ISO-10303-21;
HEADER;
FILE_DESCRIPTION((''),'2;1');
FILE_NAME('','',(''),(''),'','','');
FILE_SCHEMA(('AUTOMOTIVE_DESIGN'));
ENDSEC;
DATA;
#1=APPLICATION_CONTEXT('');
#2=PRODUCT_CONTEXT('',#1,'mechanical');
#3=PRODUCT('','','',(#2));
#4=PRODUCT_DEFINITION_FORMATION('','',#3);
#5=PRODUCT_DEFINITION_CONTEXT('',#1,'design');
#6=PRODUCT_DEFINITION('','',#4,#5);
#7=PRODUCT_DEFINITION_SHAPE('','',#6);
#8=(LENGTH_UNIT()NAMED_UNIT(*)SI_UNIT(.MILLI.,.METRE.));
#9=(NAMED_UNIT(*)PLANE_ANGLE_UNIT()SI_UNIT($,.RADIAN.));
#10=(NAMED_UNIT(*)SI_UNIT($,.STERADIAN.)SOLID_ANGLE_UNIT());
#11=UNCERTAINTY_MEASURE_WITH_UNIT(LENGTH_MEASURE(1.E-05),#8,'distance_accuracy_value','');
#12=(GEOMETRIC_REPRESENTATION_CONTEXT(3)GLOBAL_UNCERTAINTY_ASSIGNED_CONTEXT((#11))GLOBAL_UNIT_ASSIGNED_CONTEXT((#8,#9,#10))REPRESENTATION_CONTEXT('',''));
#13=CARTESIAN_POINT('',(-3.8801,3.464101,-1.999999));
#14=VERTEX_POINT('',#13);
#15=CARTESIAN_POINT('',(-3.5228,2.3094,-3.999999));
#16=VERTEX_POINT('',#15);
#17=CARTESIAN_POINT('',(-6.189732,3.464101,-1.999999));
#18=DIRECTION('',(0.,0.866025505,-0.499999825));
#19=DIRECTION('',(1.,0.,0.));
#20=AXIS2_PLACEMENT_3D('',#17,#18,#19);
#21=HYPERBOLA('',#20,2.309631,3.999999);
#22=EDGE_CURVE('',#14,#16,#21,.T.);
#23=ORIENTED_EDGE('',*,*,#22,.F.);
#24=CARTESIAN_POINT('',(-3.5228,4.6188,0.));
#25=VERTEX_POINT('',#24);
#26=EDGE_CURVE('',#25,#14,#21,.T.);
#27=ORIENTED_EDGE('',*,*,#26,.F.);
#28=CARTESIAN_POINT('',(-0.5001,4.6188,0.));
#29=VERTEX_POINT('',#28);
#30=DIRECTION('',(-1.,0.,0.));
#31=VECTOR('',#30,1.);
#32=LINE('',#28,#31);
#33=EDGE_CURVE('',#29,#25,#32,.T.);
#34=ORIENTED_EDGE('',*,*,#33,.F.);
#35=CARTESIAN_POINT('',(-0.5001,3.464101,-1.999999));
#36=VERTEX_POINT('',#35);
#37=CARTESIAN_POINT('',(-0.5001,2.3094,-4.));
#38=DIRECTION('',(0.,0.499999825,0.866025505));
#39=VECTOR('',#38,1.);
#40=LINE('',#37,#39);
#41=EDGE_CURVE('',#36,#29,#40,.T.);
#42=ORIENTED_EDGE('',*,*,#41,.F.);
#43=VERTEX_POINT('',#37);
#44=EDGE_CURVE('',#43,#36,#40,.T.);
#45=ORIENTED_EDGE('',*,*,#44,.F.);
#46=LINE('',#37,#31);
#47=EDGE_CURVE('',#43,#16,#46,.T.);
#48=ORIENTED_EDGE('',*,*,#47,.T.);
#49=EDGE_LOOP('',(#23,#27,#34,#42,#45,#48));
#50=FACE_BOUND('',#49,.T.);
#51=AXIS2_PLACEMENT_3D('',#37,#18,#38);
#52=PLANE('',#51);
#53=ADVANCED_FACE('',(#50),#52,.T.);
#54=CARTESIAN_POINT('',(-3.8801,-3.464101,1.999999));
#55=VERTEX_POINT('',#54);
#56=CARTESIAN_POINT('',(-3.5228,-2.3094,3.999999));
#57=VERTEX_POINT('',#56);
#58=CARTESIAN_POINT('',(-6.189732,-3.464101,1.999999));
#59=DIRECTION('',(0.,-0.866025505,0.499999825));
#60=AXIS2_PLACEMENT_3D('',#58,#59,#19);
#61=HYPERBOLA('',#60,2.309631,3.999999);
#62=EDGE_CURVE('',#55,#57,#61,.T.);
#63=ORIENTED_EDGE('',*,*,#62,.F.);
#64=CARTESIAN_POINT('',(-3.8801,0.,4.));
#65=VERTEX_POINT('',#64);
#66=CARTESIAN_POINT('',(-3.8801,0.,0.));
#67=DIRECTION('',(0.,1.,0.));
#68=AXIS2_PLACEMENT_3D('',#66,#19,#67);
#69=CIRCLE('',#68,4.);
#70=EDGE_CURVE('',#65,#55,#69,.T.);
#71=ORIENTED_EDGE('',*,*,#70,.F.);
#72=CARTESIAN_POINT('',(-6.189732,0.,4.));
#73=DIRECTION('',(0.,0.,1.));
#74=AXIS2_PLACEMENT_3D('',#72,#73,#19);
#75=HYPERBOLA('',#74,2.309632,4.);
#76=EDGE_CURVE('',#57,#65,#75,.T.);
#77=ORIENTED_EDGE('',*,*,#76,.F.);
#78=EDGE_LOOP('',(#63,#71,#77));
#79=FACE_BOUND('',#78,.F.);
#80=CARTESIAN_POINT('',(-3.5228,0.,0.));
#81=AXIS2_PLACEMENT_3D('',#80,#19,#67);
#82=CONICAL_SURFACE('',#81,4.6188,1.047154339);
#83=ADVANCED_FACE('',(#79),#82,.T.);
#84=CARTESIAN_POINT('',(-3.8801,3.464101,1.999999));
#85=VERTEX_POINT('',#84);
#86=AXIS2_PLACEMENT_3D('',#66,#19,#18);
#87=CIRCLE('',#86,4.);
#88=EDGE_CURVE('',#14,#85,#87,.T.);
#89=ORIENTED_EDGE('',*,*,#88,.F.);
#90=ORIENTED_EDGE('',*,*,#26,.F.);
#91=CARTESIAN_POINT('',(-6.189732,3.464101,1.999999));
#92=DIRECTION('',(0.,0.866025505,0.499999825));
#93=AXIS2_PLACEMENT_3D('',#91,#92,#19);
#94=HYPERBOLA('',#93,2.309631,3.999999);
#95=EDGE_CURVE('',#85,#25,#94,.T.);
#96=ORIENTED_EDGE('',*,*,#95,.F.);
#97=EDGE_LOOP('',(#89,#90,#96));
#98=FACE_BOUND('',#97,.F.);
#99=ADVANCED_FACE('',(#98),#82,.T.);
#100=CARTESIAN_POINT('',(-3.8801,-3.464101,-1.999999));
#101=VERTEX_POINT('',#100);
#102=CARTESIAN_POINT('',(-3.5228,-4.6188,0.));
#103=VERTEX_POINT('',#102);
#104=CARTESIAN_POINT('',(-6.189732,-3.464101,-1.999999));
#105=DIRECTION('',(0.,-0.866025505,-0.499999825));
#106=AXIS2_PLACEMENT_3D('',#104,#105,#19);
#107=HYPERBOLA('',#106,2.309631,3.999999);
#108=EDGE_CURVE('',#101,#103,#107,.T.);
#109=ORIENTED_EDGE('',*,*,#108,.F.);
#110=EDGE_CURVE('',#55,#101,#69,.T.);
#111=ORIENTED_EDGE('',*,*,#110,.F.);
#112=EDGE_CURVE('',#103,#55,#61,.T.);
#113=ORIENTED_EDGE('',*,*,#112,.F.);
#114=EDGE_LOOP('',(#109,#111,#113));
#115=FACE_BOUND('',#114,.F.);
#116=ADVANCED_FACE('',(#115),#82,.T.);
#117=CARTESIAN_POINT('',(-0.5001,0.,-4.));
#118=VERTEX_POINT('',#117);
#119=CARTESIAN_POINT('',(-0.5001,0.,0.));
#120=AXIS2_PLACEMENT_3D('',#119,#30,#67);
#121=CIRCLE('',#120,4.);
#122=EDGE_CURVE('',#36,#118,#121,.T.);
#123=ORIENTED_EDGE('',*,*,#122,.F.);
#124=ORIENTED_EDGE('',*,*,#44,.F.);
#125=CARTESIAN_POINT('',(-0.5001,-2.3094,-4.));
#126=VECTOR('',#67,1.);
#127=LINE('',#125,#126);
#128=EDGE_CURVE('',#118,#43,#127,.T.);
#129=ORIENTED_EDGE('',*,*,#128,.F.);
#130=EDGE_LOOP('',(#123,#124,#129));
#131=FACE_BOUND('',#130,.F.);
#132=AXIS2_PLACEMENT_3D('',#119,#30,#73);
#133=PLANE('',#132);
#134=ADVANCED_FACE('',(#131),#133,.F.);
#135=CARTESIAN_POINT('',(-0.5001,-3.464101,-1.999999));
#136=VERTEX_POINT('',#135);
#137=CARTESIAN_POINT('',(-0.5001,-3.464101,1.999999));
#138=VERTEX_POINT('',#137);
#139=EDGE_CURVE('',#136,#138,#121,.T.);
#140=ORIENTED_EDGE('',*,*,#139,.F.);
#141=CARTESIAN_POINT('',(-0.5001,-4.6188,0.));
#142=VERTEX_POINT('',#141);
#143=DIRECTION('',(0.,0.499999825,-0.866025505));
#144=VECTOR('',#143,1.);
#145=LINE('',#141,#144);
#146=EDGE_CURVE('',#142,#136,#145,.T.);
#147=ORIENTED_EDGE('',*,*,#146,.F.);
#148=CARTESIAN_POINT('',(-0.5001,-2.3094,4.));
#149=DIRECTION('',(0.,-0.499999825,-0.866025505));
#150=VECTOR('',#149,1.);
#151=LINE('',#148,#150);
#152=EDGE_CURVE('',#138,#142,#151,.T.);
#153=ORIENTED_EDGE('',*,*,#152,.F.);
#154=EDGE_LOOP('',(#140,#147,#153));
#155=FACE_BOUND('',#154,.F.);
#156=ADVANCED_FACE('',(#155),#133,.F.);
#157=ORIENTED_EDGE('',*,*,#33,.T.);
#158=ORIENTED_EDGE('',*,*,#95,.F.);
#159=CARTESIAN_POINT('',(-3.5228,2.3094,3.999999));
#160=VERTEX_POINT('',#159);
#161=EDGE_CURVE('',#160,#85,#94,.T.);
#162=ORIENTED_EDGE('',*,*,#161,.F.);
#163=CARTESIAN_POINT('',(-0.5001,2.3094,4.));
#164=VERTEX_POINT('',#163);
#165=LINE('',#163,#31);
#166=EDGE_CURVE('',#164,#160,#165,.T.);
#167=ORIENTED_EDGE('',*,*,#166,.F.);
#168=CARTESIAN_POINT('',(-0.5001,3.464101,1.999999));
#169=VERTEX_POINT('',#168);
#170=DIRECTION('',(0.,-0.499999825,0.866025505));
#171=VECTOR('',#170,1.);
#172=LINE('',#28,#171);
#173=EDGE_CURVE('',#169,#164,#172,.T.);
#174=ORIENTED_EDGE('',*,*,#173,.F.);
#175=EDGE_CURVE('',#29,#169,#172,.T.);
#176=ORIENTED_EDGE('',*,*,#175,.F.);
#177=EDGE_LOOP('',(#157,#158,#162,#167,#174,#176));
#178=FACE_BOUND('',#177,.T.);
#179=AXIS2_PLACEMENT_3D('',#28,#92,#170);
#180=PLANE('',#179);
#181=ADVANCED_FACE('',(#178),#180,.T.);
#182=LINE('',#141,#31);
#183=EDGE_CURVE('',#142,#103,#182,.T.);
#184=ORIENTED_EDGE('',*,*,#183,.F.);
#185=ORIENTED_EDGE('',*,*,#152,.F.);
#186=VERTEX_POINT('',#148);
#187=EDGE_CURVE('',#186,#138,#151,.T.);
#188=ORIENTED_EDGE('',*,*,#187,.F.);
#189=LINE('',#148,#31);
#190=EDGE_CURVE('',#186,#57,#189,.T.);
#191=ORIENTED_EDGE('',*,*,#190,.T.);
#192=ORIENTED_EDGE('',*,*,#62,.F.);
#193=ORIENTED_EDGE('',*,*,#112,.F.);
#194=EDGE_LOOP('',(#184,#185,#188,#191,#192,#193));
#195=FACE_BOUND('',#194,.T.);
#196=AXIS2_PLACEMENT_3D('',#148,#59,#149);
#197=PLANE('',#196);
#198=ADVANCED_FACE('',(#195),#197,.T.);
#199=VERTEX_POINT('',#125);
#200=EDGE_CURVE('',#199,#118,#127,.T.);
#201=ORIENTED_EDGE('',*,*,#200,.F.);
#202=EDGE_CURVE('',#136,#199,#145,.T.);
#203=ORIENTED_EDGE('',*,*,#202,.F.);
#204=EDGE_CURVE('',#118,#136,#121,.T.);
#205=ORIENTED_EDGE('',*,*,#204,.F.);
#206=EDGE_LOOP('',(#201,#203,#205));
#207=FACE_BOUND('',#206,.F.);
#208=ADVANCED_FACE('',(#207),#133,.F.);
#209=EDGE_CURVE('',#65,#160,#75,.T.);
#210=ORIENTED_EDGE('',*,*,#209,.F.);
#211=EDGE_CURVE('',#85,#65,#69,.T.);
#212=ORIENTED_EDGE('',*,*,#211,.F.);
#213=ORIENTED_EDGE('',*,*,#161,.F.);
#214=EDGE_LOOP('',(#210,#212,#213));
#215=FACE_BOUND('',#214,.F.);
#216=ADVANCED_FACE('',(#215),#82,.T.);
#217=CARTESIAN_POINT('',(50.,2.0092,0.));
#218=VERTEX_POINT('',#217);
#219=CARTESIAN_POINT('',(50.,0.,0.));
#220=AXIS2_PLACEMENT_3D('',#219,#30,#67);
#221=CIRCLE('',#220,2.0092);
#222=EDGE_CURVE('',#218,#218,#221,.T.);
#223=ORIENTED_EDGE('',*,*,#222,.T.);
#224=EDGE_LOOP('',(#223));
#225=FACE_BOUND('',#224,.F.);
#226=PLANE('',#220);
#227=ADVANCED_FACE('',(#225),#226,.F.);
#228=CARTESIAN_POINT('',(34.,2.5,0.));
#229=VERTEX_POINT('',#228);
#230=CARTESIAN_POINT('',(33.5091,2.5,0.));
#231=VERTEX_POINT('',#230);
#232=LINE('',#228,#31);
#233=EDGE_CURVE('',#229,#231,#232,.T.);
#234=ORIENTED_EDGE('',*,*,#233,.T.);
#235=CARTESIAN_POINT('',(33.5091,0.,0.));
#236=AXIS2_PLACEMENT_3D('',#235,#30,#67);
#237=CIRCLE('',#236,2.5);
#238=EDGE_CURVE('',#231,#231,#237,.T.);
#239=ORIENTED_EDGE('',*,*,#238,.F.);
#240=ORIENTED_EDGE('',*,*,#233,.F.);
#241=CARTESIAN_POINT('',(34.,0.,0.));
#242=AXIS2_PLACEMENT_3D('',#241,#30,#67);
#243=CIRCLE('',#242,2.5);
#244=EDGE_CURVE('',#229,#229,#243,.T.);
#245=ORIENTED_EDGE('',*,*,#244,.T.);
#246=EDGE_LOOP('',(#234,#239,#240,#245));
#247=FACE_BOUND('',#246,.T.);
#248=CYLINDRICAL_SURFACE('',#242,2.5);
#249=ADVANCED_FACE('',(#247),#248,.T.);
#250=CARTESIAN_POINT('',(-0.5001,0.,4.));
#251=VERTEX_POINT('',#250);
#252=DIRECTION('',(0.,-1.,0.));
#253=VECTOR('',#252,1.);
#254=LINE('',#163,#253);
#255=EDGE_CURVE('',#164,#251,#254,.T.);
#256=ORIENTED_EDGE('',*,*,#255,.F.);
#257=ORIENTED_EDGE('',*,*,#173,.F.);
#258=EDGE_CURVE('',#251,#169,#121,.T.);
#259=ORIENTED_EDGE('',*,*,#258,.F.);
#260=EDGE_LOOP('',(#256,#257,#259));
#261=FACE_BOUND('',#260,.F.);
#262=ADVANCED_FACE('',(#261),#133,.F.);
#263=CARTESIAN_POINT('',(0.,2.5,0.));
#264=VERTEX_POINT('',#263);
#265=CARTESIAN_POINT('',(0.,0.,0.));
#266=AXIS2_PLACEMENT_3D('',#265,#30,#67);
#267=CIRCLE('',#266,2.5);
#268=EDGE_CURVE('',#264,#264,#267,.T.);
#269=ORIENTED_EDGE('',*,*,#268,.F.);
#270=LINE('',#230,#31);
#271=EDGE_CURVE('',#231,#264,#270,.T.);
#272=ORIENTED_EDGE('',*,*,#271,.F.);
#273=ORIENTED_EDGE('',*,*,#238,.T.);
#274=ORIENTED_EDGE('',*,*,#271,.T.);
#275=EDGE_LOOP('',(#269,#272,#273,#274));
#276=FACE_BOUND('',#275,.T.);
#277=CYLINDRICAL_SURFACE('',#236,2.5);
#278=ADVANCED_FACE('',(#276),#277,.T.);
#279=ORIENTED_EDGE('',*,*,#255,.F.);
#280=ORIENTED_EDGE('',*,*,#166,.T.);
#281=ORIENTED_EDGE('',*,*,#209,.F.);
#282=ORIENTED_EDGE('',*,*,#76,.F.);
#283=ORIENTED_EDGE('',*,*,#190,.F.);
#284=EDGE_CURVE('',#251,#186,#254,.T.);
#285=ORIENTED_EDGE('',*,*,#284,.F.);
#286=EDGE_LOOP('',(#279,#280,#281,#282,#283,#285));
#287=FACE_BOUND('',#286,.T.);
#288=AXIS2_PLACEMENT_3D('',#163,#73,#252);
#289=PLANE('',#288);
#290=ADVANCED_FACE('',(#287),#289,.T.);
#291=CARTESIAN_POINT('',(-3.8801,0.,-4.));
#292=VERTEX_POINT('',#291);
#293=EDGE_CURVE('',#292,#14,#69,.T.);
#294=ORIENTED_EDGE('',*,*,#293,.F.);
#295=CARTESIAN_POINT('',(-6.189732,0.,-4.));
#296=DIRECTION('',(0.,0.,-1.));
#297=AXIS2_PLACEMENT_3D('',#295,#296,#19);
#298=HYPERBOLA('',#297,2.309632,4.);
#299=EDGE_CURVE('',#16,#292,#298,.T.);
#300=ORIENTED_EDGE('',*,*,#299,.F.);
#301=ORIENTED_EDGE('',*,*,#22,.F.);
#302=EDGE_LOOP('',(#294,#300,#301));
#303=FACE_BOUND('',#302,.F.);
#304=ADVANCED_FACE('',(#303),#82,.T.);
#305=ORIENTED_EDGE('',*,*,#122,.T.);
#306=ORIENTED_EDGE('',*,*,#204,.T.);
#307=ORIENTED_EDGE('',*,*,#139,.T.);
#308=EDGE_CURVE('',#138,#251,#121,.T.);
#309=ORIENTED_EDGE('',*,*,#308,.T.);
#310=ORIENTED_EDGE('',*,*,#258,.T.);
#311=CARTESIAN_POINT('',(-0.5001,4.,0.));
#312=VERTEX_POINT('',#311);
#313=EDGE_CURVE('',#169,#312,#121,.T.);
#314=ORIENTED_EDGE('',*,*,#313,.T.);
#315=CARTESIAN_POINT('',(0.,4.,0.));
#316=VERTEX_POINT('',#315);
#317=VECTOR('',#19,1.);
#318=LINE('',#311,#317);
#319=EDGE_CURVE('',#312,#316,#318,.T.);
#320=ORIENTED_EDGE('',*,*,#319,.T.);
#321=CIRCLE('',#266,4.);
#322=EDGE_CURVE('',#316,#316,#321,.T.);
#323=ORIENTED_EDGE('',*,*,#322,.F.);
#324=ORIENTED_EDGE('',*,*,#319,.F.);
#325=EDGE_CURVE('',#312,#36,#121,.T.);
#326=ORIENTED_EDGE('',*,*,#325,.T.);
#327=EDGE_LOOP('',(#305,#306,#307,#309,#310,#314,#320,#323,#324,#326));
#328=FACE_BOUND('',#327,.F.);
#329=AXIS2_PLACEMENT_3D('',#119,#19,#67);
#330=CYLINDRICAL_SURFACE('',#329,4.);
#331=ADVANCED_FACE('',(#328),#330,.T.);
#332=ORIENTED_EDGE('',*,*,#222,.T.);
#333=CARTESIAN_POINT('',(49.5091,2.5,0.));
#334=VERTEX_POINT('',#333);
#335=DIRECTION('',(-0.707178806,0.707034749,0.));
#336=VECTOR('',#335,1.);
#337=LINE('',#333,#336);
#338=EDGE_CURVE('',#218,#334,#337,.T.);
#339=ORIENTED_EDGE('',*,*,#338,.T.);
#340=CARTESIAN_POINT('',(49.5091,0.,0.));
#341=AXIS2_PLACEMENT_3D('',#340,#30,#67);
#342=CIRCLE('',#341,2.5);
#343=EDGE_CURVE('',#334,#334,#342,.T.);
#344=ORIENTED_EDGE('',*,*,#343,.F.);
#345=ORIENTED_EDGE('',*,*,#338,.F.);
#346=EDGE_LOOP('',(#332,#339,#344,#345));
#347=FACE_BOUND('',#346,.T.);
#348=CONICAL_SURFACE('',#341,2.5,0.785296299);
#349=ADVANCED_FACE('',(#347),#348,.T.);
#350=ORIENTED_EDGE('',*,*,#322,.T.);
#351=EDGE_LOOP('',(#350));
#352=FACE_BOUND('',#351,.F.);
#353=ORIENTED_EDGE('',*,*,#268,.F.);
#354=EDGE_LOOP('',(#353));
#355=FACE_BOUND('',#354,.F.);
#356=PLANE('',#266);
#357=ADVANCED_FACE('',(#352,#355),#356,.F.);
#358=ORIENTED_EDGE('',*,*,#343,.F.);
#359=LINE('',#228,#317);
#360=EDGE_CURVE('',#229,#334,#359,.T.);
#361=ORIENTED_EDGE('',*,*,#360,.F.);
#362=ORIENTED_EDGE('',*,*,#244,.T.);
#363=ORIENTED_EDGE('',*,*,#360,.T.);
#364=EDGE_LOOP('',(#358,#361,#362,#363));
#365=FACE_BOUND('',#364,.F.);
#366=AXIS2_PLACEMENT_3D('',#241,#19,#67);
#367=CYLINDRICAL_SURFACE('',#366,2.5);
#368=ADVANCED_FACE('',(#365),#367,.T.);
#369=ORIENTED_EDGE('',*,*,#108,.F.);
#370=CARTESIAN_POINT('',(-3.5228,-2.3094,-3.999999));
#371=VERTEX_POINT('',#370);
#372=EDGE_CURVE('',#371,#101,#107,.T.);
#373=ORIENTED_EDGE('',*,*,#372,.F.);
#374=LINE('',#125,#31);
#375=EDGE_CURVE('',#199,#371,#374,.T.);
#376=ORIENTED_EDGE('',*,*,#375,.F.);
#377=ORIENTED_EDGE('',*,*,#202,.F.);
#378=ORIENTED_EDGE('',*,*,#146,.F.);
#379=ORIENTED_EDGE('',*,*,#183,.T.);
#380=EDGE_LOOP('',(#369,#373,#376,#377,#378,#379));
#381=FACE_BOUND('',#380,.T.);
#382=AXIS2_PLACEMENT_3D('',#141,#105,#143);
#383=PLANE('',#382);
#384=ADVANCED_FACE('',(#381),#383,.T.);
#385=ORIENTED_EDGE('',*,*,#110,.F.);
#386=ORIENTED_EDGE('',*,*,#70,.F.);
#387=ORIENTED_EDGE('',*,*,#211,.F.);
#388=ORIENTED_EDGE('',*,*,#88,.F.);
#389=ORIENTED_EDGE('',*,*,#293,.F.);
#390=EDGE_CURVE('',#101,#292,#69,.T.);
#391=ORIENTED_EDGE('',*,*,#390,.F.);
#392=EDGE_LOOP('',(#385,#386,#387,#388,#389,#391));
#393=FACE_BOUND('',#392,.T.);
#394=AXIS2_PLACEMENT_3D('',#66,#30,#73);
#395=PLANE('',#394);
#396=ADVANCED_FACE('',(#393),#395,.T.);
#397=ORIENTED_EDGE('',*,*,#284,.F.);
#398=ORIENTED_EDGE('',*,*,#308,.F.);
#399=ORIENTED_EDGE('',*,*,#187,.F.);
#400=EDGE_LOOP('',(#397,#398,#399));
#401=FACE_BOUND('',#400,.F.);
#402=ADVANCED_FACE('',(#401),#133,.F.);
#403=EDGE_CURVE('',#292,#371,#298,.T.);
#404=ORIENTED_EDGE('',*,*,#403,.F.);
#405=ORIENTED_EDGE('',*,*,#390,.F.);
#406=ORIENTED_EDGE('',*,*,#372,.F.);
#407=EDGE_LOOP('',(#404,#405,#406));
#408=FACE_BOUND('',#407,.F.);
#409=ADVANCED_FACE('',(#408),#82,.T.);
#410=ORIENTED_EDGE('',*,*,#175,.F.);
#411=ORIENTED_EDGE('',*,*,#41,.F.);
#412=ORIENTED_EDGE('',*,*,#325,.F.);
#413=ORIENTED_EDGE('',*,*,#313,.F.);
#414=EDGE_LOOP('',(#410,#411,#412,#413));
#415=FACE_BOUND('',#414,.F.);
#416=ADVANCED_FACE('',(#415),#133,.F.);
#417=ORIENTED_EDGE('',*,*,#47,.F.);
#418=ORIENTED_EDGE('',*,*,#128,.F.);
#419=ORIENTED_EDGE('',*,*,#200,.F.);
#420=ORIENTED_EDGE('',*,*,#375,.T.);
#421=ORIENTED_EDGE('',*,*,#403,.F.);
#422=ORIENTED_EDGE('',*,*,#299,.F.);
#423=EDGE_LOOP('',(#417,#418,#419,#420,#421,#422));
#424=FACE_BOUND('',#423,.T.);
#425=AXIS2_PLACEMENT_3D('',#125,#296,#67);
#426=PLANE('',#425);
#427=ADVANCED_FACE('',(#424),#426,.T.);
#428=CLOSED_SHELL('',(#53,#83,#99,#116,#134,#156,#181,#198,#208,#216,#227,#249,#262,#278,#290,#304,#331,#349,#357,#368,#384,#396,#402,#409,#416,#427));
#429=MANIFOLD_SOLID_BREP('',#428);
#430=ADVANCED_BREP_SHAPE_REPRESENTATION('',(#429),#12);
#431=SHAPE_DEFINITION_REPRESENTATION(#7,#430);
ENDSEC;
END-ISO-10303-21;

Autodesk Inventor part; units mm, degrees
ref_plane "YZ Plane" through (0, 0, 0) normal (1, 0, 0) x (0, 1, 0)
ref_plane "XZ Plane" through (0, 0, 0) normal (0, 1, 0) x (-1, 0, 0)
sketch "Sketch1" plane through (0, 0, 0) normal (0, 0, 1) x (1, 0, 0)
  line L0 (0, 4) -> (0, 2.5)
  line L1 (34, 2.5) -> (50, 2.5)
  line L2 (50, 2.5) -> (50, 0)
  line L3 (50, 0) -> (-0.5001, 0)
  line L4 (-10.6001, 0) -> (60.1, 0) projected
  line L5 (-0.5001, 0) -> (-0.5001, 4)
  line L6 (-0.5001, 4) -> (0, 4)
  line L7 (34, 2.5) -> (33.5091, 2.5)
  line L8 (33.5091, 2.5) -> (0, 2.5)
  line L9 (0, -0.8) -> (0, 4.8) projected
  dimension "d0" = 50
  dimension "d1" = 16
  dimension "d2" = 5
  dimension "d9" = 0.5001
  dimension "d10" = 8
  dimension "d13" = 0.4909
  dimension "d14" = 5
revolve "Body" add sketch "Sketch1" angle 360 about axis through (50, 0, 0) along (-1, 0, 0)
sketch "Sketch2" plane through (-0.5001, 0, 0) normal (-1, 0, 0) x (0, 0, 1)
  line L0 (0, 4.6188) -> (4, 2.3094)
  line L1 (4, 2.3094) -> (4, -2.3094)
  line L2 (4, -2.3094) -> (0, -4.6188)
  line L3 (0, -4.6188) -> (-4, -2.3094)
  line L4 (-4, -2.3094) -> (-4, 2.3094)
  line L5 (-4, 2.3094) -> (0, 4.6188)
  point P0 (0, 0)
  point P1 (0, 0)
  dimension "d11" = 8
extrude "Head" add sketch "Sketch2" along normal blind 3.38
sketch "Sketch4" plane through (0, 0, 0) normal (0, 0, 1) x (1, 0, 0)
  line L0 (-3.8801, 4) -> (-3.8801, 4.6188)
  line L1 (-3.8801, 4.6188) -> (-3.5228, 4.6188)
  line L2 (-3.5228, 4.6188) -> (-3.8801, 4)
  line L3 (-4.5561, 0) -> (0.1759, 0) projected
  line L4 (-0.5001, 4.6188) -> (-3.8801, 4.6188) projected
  line L5 (-3.8801, 2.3094) -> (-3.8801, 4.6188) projected
  dimension "d5" = 30
  dimension "d19" = 8
revolve "Chamfer1" cut sketch "Sketch4" angle 360 about axis through (-10, 0, 0) along (1, 0, 0)
thread "Thread" size "M5x0.8" class "6g" standard "ISO Metric profile" length 16
chamfer "Chamfer2" distance 0.4908 distance2 0.4909 1 edges at (50, -2.5, 0) measured on face at (50, -0.2955, -1.5537)
ref_plane "Work Plane1" through (1.525, 0, 0) normal (0, 0, 1) x (1, 0, 0)
equation "\"d0\" = NLG"
equation "\"d1\" = GEL"
equation "\"d2\" = GD"
equation "\"d10\" = SD2"
equation "\"d14\" = BDM"
equation "\"d11\" = SW"
equation "\"d3\" = KOH - SD"
equation "\"d5\" = ANG1"
equation "\"d19\" = SW0"
equation "\"d15\" = GEL"
equation "\"d6\" = -0.5 * SPD + 0.5 * GD"
equation "\"NLG\" = 50"
equation "\"GD\" = NND"
equation "\"BDM\" = NND"
equation "\"KOH\" = 3.88"
equation "\"GEL\" = 16"
equation "\"SW\" = 8"
equation "\"SW0\" = SW"
equation "\"SPD\" = NND - 1.2269 * PTC"
equation "\"SD2\" = SW"
equation "\"SD\" = 0.5"
equation "\"ANG1\" = 30deg"
equation "\"GAL\" = 0.61345 * PTC"
equation "\"GUL\" = 0.61345 * PTC"
equation "\"RR\" = 0.2"
equation "\"WFT\" = SD"
equation "\"GD1\" = THREADDIA - 1.2269 * PTC"
equation "\"THREADDIA\" = 5"
equation "\"SDH\" = SW"
equation "\"TOA\" = 30deg"
equation "\"FAWI\" = 45deg"
equation "\"PTC\" = 0.8"
equation "\"NND\" = 5"
equation "\"E0\" = 1.155 * SW"
properties part number "AS 1111 - M5 x 50" material "Steel, Mild"
